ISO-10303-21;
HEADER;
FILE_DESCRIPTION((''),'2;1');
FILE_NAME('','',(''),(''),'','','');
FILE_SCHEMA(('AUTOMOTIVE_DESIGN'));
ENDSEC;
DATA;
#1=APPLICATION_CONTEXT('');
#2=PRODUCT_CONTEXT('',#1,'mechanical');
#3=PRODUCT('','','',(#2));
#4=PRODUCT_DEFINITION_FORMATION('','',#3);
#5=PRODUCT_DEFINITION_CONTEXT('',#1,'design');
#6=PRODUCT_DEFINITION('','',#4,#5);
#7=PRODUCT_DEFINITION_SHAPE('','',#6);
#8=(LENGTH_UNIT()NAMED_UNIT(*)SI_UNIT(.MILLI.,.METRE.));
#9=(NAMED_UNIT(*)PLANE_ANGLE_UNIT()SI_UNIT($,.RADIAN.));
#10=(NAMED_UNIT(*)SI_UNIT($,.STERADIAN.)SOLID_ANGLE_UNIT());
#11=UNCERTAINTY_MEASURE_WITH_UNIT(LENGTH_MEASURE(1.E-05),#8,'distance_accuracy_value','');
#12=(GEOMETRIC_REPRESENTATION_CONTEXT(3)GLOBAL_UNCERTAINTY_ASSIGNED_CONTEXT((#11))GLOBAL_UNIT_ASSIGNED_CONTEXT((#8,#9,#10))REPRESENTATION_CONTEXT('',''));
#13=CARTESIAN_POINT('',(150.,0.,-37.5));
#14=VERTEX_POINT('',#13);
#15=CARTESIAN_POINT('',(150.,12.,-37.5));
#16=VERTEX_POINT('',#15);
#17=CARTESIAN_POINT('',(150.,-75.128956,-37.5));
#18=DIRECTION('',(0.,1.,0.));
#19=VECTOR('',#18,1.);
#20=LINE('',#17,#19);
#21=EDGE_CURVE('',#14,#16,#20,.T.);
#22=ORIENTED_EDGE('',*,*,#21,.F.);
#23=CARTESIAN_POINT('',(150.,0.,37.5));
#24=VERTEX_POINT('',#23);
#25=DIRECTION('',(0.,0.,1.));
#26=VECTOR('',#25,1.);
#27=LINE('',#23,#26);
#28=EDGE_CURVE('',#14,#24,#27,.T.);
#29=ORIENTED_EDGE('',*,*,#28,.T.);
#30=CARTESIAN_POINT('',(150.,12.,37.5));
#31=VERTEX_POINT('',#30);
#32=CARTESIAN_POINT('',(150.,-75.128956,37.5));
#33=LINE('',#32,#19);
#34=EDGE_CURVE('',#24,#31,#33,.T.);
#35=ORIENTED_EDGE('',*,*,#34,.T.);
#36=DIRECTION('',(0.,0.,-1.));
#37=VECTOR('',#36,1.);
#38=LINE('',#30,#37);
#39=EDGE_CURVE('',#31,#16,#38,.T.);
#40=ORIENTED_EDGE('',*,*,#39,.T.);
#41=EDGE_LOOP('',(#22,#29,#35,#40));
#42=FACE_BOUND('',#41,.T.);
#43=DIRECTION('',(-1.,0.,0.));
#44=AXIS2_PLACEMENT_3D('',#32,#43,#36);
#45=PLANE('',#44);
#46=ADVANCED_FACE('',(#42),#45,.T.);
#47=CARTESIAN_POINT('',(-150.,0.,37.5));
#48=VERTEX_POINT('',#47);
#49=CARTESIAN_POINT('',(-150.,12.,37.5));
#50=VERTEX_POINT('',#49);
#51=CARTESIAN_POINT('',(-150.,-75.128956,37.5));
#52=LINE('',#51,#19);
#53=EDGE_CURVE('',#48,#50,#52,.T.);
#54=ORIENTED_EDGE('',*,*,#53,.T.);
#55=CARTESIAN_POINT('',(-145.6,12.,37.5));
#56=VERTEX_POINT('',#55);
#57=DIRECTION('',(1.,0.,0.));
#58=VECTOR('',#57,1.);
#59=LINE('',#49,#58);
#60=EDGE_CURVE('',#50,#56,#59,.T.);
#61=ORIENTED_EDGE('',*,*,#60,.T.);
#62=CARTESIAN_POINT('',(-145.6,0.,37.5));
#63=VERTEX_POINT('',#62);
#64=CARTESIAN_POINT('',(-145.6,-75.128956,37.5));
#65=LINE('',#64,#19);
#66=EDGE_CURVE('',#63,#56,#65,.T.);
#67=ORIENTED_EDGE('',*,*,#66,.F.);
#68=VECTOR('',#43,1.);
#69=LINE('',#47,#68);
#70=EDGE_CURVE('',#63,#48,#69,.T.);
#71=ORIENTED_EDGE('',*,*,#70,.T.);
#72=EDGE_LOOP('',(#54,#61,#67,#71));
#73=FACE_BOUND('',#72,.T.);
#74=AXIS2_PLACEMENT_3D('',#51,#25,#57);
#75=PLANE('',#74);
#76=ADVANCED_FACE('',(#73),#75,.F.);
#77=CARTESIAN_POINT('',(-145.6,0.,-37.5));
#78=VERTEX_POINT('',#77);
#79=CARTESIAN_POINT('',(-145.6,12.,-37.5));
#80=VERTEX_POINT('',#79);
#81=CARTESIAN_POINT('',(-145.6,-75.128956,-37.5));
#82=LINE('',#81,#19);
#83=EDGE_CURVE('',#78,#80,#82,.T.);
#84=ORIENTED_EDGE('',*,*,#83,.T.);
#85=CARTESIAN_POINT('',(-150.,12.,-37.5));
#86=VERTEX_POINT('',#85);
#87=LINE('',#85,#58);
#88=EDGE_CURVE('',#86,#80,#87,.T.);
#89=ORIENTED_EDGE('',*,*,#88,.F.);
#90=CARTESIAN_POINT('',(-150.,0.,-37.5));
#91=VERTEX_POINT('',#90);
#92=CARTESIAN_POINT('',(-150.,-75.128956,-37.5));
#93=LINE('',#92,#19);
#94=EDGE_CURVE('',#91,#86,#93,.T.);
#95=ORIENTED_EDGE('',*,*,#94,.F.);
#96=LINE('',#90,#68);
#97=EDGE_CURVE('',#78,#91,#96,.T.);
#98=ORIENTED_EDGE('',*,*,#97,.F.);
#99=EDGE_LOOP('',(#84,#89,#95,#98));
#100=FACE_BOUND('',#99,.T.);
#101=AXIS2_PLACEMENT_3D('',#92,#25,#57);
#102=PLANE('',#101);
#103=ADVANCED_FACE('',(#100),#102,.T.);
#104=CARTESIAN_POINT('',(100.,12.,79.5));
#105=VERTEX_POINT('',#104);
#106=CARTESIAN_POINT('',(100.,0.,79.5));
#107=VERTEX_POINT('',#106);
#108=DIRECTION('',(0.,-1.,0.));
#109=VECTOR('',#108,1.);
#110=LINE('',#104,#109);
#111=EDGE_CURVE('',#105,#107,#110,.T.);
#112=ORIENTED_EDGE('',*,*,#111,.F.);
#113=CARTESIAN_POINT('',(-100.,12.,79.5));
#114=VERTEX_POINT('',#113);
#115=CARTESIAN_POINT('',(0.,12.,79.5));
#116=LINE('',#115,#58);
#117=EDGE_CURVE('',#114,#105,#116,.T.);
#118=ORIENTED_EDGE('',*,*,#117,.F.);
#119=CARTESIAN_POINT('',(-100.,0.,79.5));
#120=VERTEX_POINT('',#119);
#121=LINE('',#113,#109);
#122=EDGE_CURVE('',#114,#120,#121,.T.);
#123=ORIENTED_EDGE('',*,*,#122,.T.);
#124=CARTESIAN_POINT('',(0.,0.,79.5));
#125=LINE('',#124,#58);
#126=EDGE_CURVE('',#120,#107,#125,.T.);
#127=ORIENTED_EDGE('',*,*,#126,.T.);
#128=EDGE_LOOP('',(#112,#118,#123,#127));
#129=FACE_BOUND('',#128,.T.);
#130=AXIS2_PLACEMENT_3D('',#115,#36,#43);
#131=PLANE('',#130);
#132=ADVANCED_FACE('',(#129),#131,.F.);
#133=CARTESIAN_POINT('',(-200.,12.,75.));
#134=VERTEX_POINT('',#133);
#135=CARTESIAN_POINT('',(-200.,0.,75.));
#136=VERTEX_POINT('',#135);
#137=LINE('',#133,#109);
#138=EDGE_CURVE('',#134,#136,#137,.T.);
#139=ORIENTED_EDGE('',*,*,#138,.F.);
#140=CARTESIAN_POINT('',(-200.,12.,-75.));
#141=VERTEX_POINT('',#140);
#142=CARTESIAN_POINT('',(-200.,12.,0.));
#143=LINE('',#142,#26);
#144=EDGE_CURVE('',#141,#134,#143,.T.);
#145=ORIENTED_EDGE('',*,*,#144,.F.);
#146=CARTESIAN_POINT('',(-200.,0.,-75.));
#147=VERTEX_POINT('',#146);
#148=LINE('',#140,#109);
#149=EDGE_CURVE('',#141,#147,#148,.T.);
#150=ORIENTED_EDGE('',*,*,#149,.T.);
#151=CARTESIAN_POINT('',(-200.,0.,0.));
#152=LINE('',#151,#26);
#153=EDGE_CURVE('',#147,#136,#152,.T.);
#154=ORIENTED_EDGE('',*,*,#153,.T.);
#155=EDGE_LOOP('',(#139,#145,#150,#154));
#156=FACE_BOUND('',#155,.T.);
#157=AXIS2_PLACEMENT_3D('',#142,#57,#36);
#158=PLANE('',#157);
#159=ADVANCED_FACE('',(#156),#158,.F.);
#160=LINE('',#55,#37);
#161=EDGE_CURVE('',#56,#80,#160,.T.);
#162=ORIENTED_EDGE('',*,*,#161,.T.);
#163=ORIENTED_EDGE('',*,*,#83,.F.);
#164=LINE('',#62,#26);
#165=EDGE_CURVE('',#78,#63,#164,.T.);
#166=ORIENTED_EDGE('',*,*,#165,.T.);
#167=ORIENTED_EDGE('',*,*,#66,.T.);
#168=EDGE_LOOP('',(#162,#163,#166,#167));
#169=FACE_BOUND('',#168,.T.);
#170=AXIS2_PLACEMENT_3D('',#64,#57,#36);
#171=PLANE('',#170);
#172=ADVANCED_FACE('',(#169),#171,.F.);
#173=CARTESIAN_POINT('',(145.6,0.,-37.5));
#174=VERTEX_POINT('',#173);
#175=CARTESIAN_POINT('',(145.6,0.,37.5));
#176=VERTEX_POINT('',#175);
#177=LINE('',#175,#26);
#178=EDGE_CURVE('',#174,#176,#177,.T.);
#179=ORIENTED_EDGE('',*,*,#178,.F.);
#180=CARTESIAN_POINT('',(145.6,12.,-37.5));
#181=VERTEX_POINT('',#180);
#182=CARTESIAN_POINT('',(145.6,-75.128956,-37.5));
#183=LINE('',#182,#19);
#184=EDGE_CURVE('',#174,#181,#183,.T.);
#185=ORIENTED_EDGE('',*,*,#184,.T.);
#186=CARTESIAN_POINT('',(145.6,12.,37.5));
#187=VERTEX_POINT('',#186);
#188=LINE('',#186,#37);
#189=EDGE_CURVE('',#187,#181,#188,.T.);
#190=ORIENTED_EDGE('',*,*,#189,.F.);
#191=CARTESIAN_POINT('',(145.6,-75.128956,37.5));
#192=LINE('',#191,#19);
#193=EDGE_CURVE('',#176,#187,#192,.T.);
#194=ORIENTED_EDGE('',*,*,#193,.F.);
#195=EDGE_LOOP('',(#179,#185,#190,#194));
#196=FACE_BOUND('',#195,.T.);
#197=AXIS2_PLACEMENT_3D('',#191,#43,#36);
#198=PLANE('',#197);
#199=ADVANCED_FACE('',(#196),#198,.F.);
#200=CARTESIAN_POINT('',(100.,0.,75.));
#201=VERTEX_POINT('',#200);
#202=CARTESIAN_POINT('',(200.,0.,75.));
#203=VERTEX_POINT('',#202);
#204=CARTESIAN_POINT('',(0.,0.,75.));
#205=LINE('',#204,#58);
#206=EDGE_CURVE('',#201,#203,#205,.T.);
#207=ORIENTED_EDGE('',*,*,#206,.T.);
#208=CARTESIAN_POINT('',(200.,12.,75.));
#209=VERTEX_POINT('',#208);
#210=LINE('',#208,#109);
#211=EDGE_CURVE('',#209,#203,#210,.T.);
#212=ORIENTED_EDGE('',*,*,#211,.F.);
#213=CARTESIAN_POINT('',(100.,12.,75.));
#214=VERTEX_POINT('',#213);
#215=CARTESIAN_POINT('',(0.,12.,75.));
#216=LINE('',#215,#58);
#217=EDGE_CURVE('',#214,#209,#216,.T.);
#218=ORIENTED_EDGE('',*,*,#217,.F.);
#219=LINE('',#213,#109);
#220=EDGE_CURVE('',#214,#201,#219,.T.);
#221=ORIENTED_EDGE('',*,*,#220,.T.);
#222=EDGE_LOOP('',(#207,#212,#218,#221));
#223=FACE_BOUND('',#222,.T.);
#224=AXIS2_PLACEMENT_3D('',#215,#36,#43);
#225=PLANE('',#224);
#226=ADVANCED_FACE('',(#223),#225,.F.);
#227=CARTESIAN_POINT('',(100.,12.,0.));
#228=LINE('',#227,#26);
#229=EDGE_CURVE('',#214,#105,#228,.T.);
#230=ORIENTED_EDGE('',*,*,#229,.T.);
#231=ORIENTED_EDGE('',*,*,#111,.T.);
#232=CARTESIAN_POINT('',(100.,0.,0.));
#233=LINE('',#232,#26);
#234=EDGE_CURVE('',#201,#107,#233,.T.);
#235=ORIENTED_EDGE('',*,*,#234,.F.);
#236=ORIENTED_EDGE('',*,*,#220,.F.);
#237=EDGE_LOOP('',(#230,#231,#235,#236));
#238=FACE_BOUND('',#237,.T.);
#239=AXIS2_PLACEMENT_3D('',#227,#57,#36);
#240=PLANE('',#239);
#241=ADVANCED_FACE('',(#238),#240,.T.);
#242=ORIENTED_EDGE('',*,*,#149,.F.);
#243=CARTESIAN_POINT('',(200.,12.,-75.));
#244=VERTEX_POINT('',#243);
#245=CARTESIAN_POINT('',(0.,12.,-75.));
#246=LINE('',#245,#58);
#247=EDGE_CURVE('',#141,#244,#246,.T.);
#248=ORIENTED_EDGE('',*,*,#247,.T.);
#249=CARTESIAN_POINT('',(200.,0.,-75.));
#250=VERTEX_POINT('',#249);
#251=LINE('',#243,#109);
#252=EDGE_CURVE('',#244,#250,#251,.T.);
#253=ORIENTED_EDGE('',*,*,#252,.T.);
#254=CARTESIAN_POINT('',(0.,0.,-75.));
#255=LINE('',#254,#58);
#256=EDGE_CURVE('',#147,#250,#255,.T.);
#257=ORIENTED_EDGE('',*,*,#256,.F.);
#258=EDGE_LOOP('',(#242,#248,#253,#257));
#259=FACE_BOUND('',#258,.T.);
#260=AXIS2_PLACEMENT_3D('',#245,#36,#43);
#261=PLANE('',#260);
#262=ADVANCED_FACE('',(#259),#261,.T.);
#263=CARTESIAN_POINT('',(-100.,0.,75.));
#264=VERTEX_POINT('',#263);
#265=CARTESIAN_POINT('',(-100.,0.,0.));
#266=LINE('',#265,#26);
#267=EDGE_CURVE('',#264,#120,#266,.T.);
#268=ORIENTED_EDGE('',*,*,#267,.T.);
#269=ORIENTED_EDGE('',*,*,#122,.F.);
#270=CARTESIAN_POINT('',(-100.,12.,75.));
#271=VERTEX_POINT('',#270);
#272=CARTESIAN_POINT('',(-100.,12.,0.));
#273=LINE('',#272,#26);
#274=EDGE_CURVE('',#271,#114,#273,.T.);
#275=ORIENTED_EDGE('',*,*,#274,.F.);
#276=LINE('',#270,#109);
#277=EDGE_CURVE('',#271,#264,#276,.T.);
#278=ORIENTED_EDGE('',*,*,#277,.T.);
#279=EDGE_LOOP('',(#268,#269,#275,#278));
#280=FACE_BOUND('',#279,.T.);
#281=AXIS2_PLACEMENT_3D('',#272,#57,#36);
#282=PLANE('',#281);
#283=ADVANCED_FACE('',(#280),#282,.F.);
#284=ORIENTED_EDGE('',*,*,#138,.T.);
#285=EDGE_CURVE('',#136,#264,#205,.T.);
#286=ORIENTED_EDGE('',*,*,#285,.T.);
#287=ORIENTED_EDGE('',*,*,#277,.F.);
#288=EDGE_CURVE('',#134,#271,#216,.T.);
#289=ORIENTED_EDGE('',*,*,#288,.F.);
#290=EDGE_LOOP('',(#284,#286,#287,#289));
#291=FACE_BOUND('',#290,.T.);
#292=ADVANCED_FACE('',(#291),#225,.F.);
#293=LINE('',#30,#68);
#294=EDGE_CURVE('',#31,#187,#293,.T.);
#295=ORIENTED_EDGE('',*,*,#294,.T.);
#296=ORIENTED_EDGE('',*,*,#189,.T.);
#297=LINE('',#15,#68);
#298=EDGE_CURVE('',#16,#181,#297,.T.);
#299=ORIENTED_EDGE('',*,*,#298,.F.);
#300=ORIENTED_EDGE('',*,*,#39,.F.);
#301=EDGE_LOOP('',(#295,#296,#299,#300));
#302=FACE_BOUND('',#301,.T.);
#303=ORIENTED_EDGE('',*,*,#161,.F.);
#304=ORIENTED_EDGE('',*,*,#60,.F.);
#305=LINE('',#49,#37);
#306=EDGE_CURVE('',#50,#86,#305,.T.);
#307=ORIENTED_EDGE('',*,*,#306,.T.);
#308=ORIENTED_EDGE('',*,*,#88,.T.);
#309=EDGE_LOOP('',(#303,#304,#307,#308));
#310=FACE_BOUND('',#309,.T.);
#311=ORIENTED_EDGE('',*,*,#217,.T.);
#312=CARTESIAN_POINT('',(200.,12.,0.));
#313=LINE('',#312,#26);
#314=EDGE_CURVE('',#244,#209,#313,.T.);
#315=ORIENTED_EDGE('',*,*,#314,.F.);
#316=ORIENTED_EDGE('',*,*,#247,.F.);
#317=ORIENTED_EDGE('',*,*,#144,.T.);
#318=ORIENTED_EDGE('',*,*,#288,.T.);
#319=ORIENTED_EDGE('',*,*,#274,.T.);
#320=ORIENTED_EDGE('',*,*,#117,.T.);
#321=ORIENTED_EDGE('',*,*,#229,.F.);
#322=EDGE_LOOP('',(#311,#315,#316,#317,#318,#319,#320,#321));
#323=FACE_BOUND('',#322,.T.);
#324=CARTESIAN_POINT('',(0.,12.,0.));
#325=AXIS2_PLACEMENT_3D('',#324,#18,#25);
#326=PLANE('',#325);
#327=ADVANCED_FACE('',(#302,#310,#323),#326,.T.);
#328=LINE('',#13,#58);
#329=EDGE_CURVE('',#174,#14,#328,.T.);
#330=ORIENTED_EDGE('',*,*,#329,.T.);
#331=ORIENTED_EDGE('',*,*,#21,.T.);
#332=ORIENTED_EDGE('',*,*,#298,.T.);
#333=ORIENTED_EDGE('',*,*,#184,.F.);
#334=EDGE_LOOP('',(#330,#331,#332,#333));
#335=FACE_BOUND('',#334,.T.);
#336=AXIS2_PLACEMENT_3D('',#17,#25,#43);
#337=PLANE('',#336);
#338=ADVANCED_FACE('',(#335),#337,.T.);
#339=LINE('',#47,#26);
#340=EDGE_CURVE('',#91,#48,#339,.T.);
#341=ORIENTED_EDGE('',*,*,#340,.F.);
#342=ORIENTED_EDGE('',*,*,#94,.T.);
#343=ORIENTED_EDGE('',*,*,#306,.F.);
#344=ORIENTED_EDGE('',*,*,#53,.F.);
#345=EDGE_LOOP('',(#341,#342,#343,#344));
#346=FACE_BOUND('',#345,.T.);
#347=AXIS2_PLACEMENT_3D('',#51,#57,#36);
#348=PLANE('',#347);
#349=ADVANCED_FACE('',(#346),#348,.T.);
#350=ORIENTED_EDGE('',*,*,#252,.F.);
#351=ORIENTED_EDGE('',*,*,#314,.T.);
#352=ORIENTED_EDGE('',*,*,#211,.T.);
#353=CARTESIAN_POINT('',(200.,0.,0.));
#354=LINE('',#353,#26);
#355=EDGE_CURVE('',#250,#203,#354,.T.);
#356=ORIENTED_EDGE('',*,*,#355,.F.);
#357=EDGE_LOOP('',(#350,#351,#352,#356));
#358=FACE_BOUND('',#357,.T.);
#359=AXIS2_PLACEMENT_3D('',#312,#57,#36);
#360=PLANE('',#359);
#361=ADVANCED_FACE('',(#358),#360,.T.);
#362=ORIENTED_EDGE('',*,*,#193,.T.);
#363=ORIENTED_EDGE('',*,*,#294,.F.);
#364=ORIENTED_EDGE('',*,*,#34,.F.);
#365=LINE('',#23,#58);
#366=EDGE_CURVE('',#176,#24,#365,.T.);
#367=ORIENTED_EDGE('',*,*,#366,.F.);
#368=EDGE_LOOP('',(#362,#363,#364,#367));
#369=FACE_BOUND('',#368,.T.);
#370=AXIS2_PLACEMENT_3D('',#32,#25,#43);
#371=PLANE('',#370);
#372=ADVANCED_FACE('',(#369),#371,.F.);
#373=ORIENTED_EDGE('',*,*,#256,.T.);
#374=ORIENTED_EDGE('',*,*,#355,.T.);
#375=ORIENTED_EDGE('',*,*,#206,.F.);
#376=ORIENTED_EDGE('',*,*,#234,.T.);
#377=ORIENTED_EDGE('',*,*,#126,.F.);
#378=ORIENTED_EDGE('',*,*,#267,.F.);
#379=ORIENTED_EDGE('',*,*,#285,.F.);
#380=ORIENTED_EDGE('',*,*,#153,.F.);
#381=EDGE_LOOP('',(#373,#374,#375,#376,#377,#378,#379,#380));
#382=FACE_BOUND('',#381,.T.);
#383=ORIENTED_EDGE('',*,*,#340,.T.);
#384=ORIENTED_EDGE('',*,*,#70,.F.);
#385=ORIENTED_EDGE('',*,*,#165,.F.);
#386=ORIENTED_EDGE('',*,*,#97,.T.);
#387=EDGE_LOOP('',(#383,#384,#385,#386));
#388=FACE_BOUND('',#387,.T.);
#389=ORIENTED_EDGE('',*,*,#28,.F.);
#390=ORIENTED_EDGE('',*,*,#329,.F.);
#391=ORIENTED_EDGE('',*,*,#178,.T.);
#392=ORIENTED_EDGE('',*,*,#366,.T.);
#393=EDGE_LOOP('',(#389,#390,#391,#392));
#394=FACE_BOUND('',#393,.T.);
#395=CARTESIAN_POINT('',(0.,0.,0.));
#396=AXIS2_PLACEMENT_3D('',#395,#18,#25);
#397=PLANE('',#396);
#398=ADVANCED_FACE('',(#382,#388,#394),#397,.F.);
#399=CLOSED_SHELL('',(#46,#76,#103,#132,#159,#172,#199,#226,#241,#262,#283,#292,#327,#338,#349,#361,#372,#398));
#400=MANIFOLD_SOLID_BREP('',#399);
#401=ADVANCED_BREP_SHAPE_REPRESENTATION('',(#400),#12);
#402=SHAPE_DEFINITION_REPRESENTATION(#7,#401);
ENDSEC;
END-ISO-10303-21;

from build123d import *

# Parameters (mm, degrees)
SKETCH1_W           = 200
SKETCH1_H           = 4.5
BOSS_EXTRUDE1_DEPTH = 12
SKETCH3_W           = 4.4
SKETCH3_H           = 75
CUT_EXTRUDE1_DEPTH  = 12


with BuildPart() as part:
    # Sketch1 → Boss-Extrude1 (new body)
    with BuildSketch(Plane(origin=(0, 0, 0), x_dir=(1, 0, 0), z_dir=(0, 1, 0))):
        Polygon((200, 75), (-200, 75), (-200, -75), (-100, -75), (-100, -70.5), (100, -70.5), (100, -75), (200, -75), align=None)
        with Locations((0, -77.25)):
            Rectangle(SKETCH1_W, SKETCH1_H)
        with Locations((0, -72.75)):
            Rectangle(SKETCH1_W, SKETCH1_H)
    extrude(amount=BOSS_EXTRUDE1_DEPTH)

    # Sketch3 → Cut-Extrude1 (cut)
    with BuildSketch(Plane(origin=(0, 12, 0), x_dir=(1, 0, 0), z_dir=(0, 1, 0))):
        with Locations((-147.8, 0)):
            Rectangle(SKETCH3_W, SKETCH3_H)
    cut_extrude1 = extrude(amount=-CUT_EXTRUDE1_DEPTH, mode=Mode.SUBTRACT)

    # Mirror1: Cut-Extrude1 across plane
    add(cut_extrude1.mirror(Plane(origin=(0, 0, 0), x_dir=(0, 0, 1), z_dir=(1, 0, 0))), mode=Mode.SUBTRACT)


solid = part.part
